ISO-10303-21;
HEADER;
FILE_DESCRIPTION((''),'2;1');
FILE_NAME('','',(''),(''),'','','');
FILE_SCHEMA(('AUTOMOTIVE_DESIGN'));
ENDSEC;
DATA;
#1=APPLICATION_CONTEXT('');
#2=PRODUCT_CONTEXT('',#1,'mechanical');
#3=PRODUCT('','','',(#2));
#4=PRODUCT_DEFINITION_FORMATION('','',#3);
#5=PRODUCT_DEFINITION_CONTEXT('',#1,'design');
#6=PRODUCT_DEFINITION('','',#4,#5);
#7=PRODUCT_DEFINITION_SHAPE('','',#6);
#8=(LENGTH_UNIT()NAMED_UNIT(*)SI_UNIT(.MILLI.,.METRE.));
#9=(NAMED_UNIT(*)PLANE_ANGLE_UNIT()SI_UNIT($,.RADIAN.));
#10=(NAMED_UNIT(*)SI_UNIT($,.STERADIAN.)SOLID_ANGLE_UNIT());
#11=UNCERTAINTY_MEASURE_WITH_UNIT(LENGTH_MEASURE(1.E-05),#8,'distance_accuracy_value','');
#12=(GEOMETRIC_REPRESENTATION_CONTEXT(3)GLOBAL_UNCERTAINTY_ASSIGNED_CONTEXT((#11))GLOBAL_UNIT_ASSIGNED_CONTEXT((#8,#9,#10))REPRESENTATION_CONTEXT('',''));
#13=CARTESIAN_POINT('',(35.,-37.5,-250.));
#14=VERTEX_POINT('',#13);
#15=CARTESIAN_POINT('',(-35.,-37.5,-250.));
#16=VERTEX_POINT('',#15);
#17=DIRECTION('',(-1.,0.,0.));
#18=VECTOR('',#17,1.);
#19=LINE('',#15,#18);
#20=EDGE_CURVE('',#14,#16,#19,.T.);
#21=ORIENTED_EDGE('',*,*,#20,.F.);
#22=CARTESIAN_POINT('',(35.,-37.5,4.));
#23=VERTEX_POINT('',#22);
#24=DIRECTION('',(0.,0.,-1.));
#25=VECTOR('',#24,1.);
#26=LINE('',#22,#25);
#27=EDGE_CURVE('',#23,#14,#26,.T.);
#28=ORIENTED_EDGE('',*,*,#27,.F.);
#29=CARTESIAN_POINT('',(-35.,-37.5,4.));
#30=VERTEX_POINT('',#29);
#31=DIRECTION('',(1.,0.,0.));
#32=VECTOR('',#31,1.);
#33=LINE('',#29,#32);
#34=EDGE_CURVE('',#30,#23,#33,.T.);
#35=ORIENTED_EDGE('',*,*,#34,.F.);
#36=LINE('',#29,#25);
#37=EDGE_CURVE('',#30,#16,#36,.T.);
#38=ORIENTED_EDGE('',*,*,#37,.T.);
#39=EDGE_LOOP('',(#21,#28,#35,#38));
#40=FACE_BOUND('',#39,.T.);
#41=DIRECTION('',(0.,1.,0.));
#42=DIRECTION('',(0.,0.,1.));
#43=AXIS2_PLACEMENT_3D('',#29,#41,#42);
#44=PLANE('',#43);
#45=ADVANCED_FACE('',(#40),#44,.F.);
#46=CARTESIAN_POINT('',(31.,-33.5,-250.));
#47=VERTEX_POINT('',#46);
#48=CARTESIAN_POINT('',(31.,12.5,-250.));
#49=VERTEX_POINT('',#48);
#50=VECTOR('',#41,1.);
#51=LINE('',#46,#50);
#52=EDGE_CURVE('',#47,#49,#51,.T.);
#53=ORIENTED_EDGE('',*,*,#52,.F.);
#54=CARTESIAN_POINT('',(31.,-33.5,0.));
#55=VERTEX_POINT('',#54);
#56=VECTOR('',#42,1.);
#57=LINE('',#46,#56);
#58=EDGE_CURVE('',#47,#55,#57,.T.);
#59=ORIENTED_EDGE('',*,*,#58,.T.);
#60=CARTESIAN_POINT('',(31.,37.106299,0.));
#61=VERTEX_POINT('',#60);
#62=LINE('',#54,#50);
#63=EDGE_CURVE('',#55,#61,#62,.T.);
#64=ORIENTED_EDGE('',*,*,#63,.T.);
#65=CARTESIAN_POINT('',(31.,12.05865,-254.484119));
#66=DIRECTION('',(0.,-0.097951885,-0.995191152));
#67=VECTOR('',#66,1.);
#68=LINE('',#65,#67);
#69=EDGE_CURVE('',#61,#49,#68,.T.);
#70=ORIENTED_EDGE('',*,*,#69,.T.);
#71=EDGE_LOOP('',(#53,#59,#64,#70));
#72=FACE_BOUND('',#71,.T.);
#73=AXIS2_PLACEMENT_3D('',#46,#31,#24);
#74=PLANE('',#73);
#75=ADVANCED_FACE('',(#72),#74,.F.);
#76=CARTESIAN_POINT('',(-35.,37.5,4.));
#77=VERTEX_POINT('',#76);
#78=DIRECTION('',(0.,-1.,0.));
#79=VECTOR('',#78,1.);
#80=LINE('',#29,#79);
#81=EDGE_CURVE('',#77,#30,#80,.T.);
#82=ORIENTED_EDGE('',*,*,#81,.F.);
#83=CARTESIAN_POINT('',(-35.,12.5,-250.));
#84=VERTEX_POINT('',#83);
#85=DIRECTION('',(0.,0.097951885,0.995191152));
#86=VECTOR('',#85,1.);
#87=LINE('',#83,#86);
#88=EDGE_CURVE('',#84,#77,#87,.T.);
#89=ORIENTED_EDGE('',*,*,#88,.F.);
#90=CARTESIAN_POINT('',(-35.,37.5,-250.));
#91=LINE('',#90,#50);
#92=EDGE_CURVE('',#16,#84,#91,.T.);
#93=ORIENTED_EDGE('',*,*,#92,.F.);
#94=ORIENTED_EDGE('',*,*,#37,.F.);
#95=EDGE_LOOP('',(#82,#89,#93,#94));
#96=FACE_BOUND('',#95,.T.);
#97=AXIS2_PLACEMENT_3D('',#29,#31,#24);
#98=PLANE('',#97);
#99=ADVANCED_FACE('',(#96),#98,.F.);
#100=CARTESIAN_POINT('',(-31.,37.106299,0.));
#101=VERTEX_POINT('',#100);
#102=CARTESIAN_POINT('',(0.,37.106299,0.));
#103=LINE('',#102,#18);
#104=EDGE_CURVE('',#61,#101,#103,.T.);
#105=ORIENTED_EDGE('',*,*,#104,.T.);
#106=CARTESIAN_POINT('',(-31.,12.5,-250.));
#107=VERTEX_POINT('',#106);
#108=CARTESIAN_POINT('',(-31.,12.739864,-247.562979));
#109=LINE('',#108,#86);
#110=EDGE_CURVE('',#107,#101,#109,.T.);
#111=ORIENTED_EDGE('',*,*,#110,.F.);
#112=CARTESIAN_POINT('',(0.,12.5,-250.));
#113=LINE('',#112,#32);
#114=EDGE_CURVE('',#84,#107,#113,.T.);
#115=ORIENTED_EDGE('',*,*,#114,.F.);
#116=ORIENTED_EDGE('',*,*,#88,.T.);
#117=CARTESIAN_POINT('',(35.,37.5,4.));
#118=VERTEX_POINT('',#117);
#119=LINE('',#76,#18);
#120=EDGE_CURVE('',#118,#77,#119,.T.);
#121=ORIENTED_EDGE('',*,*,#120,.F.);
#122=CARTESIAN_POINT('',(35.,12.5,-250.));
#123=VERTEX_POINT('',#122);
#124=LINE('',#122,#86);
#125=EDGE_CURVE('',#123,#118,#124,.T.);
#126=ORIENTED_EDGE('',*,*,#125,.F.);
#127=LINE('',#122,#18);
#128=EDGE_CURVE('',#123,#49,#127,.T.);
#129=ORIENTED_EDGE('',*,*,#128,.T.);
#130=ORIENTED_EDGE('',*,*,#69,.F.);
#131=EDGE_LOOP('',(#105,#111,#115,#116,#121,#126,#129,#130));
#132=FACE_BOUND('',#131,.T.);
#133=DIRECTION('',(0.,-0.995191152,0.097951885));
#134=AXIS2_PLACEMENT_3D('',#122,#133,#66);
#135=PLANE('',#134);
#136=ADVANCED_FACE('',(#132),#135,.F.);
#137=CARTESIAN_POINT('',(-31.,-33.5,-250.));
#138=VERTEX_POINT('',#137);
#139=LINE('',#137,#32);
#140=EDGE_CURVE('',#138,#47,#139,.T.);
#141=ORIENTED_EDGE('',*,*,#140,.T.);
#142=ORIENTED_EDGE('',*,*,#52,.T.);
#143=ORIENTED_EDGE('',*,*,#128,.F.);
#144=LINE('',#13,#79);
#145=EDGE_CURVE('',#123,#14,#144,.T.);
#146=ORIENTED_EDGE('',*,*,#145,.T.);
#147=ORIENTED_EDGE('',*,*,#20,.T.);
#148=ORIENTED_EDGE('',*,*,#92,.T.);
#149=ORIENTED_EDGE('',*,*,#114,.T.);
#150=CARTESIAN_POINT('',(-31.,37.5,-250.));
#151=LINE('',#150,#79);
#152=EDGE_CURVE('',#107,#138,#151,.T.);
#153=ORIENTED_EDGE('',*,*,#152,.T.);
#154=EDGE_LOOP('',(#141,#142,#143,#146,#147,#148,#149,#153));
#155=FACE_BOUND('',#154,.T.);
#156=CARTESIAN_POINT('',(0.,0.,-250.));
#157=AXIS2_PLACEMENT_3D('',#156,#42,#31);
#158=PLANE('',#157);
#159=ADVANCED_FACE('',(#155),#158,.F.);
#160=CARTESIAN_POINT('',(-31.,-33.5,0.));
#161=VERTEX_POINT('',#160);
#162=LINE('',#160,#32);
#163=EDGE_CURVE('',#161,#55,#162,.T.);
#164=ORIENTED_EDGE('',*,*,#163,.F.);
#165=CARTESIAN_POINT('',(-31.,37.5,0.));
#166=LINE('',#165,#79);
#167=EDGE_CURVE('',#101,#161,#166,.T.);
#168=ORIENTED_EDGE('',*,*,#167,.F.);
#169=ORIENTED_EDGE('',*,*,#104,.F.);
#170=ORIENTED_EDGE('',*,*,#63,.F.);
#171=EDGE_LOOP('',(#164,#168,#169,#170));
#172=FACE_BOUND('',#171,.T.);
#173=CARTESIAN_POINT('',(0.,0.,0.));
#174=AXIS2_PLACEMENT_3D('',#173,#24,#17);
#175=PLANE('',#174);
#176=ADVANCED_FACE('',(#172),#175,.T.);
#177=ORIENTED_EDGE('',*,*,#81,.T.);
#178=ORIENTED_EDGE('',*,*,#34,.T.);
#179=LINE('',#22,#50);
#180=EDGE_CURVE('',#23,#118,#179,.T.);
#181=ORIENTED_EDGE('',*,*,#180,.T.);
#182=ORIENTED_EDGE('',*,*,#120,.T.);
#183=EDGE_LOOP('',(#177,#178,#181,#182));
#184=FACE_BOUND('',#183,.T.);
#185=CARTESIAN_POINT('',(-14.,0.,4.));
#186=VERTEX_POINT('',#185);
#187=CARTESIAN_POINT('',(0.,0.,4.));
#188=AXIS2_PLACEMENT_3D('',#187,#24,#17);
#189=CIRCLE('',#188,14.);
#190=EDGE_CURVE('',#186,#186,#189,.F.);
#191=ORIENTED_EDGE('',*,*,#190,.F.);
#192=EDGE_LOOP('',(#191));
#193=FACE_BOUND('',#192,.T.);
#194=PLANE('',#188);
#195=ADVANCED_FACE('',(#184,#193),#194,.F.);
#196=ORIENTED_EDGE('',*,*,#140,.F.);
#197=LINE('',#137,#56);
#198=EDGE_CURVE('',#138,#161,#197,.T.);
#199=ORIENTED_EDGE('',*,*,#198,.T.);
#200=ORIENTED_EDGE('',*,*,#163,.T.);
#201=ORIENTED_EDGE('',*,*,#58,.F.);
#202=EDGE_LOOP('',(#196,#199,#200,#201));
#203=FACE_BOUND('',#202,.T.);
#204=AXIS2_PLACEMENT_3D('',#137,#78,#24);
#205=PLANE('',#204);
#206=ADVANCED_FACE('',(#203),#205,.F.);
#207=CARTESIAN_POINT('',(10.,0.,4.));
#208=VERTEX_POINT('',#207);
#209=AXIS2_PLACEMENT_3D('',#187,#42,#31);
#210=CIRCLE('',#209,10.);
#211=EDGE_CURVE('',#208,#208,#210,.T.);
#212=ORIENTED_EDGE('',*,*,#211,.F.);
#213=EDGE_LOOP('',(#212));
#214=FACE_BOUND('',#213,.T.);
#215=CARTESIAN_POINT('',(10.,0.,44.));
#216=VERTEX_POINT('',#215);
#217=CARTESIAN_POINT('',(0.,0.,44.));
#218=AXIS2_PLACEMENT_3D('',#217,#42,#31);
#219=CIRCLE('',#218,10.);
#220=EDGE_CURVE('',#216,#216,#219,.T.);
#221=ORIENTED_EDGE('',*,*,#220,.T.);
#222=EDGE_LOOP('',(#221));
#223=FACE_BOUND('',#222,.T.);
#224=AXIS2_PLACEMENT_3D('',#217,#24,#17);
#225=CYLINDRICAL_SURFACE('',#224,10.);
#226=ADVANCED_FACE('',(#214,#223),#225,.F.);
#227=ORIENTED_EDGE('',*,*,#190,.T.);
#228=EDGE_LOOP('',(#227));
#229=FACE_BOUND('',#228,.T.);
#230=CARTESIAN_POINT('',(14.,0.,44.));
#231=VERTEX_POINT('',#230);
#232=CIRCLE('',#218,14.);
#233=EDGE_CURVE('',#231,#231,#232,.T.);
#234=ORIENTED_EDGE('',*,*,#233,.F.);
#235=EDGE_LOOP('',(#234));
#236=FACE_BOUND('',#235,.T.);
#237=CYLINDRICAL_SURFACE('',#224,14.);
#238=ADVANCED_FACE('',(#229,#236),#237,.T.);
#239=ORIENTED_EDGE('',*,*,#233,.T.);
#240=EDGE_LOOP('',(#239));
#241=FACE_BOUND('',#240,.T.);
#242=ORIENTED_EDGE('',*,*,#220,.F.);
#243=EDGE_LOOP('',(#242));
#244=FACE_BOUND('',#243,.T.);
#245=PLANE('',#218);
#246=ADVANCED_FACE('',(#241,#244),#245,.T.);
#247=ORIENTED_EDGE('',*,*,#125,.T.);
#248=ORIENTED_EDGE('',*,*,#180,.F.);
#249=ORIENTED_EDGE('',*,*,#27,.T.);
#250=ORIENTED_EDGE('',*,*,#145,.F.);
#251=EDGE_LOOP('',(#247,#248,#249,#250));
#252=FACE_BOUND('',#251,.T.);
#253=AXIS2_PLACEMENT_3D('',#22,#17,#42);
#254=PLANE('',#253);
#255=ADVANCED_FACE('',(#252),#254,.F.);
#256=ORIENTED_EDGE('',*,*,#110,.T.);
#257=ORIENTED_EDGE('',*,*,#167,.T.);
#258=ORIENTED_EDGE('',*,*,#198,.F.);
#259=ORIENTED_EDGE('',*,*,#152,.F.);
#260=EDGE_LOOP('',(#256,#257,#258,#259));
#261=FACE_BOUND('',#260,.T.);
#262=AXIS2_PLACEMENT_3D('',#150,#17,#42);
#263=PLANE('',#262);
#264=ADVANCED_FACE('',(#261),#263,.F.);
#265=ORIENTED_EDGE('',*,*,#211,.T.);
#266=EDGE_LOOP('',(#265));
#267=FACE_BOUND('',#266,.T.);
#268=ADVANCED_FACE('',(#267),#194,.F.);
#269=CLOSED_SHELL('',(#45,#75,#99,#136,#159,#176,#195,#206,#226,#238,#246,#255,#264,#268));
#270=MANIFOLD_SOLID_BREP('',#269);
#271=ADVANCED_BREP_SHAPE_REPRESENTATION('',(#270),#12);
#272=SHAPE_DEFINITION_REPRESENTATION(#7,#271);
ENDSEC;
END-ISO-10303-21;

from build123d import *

# Parameters (mm, degrees)
SKETCH_1_W          = 70
SKETCH_1_H          = 75
EXTRUDE_1_DEPTH     = 4
EXTRUDE_2_DEPTH     = 250
CUT_EXTRUDE_1_DEPTH = 263.309454652
SKETCH_4_R          = 14
SKETCH_4_R_2        = 10
EXTRUDE_3_DEPTH     = 40


with BuildPart() as part:
    # 草图1 → 凸台-拉伸1 (new body)
    with BuildSketch(Plane.XY):
        Rectangle(SKETCH_1_W, SKETCH_1_H)
    extrude(amount=EXTRUDE_1_DEPTH)

    # 草图2 → 凸台-拉伸2 (add)
    with BuildSketch(Plane(origin=(0, 0, 0), x_dir=(-1, 0, 0), z_dir=(0, 0, -1))):
        Polygon((35, 37.5), (35, -37.5), (-35, -37.5), (-35, 37.5), (-31, 37.5), (-31, -33.5), (31, -33.5), (31, 37.5), align=None)
    extrude(amount=EXTRUDE_2_DEPTH)

    # 草图3 → 切除-拉伸1 (cut, through all)
    with BuildSketch(Plane.ZY.offset(35)):
        Polygon((4, 37.5), (-250, 37.5), (-250, 12.5), align=None)
    extrude(amount=-CUT_EXTRUDE_1_DEPTH, mode=Mode.SUBTRACT)

    # 草图4 → 凸台-拉伸3 (add)
    with BuildSketch(Plane.XY.offset(4)):
        with Locations(Location((0, 0, 0), (0, 0, 180))):
            Circle(SKETCH_4_R)
        Circle(SKETCH_4_R_2, mode=Mode.SUBTRACT)
    extrude(amount=EXTRUDE_3_DEPTH)


solid = part.part
